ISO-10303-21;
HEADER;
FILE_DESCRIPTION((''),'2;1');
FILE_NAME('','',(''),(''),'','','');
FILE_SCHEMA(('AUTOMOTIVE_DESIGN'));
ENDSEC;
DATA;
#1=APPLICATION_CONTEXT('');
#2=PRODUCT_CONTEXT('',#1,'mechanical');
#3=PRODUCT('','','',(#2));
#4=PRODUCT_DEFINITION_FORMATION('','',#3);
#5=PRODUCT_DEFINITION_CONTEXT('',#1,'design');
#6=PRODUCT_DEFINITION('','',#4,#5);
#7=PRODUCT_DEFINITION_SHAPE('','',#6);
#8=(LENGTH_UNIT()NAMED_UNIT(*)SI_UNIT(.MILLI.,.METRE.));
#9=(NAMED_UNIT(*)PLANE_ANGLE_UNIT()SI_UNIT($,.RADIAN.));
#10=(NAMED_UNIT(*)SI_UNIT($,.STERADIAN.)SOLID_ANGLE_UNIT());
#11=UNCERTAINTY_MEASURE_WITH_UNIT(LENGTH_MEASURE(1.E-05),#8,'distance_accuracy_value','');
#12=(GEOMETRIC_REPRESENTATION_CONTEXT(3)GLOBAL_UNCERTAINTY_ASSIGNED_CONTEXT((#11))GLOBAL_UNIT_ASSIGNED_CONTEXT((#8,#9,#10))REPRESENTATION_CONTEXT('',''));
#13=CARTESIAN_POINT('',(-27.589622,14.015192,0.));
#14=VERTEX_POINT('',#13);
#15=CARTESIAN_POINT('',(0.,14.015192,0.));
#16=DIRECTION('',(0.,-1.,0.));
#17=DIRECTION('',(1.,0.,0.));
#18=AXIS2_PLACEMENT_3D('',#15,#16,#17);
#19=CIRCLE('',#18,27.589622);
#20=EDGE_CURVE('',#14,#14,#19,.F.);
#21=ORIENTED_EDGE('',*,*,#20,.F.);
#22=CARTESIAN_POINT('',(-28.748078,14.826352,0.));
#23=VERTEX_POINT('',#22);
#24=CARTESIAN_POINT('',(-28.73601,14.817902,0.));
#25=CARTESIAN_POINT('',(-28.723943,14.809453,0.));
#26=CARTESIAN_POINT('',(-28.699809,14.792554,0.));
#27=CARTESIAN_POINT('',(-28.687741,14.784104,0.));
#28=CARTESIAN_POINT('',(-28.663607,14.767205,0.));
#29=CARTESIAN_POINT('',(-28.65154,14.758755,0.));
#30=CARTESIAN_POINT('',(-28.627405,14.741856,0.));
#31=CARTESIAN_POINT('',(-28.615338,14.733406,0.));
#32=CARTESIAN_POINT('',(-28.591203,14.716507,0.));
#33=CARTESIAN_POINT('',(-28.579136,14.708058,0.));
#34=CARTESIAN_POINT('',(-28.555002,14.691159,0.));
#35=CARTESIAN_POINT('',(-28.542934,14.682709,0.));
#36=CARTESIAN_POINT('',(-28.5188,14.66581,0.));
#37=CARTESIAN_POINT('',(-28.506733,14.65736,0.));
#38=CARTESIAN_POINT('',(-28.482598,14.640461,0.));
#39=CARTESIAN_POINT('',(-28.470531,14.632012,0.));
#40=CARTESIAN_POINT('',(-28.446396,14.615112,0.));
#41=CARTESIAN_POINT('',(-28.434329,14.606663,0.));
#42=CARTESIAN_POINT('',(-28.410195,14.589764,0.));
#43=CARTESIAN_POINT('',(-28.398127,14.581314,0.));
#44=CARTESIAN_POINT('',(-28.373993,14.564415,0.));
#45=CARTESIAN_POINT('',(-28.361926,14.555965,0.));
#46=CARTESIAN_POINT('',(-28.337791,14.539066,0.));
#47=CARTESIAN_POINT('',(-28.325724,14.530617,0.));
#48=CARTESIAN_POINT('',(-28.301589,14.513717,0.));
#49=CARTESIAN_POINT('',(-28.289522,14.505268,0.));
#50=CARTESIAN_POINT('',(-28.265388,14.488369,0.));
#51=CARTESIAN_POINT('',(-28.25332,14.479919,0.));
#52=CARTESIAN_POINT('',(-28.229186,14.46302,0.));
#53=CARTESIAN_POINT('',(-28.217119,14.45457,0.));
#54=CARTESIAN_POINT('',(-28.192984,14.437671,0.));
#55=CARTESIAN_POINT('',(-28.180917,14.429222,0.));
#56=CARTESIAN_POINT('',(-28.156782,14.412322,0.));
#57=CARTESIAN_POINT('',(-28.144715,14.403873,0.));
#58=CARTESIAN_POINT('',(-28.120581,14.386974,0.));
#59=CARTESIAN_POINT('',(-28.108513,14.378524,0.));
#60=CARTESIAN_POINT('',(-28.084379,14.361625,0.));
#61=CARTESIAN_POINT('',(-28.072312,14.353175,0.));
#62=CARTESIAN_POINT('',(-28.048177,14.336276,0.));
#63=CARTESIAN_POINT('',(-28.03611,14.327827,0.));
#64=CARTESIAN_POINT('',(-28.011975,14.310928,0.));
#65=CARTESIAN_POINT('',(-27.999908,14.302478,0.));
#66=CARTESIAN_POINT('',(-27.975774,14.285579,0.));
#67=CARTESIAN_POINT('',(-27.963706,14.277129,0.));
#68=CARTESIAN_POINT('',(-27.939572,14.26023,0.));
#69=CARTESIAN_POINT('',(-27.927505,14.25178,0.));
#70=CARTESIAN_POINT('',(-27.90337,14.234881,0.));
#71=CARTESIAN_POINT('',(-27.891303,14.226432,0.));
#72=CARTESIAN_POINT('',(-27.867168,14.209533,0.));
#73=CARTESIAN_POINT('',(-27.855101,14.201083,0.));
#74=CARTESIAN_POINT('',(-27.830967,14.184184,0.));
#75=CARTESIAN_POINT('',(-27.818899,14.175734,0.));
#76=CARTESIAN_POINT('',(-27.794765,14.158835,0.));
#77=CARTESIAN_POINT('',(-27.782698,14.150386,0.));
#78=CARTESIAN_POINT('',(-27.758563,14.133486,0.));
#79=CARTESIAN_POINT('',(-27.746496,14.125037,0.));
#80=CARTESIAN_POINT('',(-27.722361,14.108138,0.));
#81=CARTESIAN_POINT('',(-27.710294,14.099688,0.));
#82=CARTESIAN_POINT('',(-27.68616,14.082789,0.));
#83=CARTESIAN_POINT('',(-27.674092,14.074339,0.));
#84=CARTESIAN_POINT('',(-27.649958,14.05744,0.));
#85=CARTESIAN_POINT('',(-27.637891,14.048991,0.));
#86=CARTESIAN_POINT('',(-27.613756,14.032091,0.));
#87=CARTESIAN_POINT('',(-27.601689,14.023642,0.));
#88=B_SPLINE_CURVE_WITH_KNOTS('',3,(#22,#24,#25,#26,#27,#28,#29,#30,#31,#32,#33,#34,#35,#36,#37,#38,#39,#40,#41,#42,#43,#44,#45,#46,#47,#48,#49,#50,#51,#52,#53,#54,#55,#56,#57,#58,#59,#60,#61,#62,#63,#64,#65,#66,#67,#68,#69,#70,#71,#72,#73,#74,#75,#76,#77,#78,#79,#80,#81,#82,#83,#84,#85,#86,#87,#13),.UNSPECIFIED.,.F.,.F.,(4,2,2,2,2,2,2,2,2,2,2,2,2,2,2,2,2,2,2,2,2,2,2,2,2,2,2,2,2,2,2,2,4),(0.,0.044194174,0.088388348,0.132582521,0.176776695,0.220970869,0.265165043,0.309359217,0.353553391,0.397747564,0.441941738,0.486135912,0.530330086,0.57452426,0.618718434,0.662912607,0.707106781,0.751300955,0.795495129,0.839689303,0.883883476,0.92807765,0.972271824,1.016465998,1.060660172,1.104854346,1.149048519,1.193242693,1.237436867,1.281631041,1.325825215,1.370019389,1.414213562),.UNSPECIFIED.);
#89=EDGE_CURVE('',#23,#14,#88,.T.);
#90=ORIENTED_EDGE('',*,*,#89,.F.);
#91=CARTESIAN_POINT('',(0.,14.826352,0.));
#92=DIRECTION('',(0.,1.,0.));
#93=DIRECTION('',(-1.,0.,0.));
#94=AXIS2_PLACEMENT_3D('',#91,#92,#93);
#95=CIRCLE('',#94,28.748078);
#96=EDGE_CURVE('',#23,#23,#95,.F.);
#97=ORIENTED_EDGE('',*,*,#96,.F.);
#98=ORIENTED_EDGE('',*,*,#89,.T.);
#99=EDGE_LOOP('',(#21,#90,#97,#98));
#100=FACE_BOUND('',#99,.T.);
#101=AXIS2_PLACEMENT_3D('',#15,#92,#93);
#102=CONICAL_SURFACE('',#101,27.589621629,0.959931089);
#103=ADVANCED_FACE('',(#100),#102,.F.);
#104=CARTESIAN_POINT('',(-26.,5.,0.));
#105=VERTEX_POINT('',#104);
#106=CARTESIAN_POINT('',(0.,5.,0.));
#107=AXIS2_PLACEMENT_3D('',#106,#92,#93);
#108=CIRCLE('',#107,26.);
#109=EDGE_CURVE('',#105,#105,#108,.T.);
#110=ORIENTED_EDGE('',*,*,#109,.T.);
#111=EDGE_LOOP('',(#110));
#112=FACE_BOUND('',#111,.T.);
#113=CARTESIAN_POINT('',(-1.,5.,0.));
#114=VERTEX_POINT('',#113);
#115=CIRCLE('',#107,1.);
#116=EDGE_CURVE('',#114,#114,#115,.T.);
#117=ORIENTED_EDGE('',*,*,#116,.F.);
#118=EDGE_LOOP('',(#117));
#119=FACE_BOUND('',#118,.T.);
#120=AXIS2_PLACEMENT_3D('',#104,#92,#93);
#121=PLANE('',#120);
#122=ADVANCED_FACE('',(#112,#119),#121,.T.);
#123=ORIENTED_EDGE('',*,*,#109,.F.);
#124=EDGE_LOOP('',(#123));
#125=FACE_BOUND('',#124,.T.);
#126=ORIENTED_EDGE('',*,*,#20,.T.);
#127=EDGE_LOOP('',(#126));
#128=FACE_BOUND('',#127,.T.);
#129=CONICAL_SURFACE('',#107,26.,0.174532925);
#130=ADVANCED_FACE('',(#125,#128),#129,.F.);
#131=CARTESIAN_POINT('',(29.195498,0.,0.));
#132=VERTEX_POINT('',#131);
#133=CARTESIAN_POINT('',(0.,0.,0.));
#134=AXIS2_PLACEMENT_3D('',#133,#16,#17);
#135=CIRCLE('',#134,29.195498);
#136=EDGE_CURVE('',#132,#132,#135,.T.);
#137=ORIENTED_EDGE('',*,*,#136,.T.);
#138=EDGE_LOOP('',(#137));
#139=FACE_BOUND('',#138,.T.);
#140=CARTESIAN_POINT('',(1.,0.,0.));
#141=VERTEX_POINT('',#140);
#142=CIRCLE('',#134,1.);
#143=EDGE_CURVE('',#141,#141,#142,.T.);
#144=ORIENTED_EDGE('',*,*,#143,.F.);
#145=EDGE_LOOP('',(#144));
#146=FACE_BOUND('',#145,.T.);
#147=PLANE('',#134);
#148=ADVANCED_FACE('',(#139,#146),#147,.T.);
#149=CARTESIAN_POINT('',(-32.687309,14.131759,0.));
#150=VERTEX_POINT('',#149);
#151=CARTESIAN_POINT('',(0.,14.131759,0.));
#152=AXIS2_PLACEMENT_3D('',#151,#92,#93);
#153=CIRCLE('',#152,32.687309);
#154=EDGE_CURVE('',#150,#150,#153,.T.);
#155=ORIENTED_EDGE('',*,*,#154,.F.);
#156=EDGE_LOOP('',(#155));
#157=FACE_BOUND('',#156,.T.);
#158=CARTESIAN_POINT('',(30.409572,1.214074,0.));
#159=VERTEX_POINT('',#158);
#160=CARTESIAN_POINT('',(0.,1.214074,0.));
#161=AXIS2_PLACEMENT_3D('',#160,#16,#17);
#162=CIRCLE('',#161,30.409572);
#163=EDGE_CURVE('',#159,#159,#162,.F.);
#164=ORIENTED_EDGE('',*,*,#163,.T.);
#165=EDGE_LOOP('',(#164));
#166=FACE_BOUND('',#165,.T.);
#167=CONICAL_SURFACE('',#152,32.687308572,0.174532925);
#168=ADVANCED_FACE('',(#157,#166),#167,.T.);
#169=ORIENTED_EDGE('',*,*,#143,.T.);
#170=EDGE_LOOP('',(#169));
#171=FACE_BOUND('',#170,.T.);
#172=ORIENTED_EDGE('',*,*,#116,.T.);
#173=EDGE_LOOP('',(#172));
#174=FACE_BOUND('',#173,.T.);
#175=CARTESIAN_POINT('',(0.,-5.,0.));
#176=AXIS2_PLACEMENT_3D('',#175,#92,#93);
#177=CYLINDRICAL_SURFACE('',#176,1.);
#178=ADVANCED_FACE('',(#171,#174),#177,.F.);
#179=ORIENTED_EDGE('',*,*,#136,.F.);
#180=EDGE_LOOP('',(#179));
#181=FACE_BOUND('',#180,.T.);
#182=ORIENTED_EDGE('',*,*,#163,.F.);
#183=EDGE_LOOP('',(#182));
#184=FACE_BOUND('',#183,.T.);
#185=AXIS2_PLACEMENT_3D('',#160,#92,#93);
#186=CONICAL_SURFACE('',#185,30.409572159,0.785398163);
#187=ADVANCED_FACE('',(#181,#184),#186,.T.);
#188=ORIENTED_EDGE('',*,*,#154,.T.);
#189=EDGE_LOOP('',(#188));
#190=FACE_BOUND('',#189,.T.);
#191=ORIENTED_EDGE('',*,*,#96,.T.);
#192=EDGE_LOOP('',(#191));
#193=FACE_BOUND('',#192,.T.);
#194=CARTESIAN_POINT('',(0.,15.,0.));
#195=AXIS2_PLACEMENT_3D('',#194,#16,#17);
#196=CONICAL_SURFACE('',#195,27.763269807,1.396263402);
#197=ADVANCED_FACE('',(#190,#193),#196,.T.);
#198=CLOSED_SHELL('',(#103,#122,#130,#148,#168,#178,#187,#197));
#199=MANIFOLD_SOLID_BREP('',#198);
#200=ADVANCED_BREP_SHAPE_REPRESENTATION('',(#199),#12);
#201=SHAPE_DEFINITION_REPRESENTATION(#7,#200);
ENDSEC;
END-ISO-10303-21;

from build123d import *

# Parameters (mm, degrees)
CHAMFER_1_SIZE      = 1
CHAMFER_1_SIZE2     = 1.232803052
CHAMFER_2_SIZE      = 1
SKETCH_4_R          = 1
CUT_EXTRUDE_1_DEPTH = 10


with BuildPart() as part:
    # 草图3 → 旋转1 (revolve)
    with BuildSketch(Plane.XY):
        Polygon((0, 0), (-30.195498156, 0), (-32.687308572, 14.131759112), (-27.763269807, 15), (-26, 5), (0, 5), align=None)
    revolve(axis=Axis((0, 5, 0), (0, -1, 0)))

    # 倒角1
    chamfer_1_edges = [part.edges().sort_by_distance(p)[0] for p in [
        (30.195498156, 0, 0),
    ]]
    chamfer_1_side = [part.faces().sort_by_distance(p)[0] for p in [
        (0, 0, 0),
    ]]
    chamfer(chamfer_1_edges, length=CHAMFER_1_SIZE, length2=CHAMFER_1_SIZE2, reference=chamfer_1_side[0])

    # 倒角2
    chamfer_2_edges = [part.edges().sort_by_distance(p)[0] for p in [
        (27.763269807, 15, 0),
    ]]
    chamfer(chamfer_2_edges, length=CHAMFER_2_SIZE)

    # 草图4 → 切除-拉伸1 (cut)
    with BuildSketch(Plane(origin=(0, 5, 0), x_dir=(1, 0, 0), z_dir=(0, 1, 0))):
        with Locations(Location((0, 0, 0), (0, 0, 180))):
            Circle(SKETCH_4_R)
    extrude(amount=-CUT_EXTRUDE_1_DEPTH, mode=Mode.SUBTRACT)


solid = part.part
